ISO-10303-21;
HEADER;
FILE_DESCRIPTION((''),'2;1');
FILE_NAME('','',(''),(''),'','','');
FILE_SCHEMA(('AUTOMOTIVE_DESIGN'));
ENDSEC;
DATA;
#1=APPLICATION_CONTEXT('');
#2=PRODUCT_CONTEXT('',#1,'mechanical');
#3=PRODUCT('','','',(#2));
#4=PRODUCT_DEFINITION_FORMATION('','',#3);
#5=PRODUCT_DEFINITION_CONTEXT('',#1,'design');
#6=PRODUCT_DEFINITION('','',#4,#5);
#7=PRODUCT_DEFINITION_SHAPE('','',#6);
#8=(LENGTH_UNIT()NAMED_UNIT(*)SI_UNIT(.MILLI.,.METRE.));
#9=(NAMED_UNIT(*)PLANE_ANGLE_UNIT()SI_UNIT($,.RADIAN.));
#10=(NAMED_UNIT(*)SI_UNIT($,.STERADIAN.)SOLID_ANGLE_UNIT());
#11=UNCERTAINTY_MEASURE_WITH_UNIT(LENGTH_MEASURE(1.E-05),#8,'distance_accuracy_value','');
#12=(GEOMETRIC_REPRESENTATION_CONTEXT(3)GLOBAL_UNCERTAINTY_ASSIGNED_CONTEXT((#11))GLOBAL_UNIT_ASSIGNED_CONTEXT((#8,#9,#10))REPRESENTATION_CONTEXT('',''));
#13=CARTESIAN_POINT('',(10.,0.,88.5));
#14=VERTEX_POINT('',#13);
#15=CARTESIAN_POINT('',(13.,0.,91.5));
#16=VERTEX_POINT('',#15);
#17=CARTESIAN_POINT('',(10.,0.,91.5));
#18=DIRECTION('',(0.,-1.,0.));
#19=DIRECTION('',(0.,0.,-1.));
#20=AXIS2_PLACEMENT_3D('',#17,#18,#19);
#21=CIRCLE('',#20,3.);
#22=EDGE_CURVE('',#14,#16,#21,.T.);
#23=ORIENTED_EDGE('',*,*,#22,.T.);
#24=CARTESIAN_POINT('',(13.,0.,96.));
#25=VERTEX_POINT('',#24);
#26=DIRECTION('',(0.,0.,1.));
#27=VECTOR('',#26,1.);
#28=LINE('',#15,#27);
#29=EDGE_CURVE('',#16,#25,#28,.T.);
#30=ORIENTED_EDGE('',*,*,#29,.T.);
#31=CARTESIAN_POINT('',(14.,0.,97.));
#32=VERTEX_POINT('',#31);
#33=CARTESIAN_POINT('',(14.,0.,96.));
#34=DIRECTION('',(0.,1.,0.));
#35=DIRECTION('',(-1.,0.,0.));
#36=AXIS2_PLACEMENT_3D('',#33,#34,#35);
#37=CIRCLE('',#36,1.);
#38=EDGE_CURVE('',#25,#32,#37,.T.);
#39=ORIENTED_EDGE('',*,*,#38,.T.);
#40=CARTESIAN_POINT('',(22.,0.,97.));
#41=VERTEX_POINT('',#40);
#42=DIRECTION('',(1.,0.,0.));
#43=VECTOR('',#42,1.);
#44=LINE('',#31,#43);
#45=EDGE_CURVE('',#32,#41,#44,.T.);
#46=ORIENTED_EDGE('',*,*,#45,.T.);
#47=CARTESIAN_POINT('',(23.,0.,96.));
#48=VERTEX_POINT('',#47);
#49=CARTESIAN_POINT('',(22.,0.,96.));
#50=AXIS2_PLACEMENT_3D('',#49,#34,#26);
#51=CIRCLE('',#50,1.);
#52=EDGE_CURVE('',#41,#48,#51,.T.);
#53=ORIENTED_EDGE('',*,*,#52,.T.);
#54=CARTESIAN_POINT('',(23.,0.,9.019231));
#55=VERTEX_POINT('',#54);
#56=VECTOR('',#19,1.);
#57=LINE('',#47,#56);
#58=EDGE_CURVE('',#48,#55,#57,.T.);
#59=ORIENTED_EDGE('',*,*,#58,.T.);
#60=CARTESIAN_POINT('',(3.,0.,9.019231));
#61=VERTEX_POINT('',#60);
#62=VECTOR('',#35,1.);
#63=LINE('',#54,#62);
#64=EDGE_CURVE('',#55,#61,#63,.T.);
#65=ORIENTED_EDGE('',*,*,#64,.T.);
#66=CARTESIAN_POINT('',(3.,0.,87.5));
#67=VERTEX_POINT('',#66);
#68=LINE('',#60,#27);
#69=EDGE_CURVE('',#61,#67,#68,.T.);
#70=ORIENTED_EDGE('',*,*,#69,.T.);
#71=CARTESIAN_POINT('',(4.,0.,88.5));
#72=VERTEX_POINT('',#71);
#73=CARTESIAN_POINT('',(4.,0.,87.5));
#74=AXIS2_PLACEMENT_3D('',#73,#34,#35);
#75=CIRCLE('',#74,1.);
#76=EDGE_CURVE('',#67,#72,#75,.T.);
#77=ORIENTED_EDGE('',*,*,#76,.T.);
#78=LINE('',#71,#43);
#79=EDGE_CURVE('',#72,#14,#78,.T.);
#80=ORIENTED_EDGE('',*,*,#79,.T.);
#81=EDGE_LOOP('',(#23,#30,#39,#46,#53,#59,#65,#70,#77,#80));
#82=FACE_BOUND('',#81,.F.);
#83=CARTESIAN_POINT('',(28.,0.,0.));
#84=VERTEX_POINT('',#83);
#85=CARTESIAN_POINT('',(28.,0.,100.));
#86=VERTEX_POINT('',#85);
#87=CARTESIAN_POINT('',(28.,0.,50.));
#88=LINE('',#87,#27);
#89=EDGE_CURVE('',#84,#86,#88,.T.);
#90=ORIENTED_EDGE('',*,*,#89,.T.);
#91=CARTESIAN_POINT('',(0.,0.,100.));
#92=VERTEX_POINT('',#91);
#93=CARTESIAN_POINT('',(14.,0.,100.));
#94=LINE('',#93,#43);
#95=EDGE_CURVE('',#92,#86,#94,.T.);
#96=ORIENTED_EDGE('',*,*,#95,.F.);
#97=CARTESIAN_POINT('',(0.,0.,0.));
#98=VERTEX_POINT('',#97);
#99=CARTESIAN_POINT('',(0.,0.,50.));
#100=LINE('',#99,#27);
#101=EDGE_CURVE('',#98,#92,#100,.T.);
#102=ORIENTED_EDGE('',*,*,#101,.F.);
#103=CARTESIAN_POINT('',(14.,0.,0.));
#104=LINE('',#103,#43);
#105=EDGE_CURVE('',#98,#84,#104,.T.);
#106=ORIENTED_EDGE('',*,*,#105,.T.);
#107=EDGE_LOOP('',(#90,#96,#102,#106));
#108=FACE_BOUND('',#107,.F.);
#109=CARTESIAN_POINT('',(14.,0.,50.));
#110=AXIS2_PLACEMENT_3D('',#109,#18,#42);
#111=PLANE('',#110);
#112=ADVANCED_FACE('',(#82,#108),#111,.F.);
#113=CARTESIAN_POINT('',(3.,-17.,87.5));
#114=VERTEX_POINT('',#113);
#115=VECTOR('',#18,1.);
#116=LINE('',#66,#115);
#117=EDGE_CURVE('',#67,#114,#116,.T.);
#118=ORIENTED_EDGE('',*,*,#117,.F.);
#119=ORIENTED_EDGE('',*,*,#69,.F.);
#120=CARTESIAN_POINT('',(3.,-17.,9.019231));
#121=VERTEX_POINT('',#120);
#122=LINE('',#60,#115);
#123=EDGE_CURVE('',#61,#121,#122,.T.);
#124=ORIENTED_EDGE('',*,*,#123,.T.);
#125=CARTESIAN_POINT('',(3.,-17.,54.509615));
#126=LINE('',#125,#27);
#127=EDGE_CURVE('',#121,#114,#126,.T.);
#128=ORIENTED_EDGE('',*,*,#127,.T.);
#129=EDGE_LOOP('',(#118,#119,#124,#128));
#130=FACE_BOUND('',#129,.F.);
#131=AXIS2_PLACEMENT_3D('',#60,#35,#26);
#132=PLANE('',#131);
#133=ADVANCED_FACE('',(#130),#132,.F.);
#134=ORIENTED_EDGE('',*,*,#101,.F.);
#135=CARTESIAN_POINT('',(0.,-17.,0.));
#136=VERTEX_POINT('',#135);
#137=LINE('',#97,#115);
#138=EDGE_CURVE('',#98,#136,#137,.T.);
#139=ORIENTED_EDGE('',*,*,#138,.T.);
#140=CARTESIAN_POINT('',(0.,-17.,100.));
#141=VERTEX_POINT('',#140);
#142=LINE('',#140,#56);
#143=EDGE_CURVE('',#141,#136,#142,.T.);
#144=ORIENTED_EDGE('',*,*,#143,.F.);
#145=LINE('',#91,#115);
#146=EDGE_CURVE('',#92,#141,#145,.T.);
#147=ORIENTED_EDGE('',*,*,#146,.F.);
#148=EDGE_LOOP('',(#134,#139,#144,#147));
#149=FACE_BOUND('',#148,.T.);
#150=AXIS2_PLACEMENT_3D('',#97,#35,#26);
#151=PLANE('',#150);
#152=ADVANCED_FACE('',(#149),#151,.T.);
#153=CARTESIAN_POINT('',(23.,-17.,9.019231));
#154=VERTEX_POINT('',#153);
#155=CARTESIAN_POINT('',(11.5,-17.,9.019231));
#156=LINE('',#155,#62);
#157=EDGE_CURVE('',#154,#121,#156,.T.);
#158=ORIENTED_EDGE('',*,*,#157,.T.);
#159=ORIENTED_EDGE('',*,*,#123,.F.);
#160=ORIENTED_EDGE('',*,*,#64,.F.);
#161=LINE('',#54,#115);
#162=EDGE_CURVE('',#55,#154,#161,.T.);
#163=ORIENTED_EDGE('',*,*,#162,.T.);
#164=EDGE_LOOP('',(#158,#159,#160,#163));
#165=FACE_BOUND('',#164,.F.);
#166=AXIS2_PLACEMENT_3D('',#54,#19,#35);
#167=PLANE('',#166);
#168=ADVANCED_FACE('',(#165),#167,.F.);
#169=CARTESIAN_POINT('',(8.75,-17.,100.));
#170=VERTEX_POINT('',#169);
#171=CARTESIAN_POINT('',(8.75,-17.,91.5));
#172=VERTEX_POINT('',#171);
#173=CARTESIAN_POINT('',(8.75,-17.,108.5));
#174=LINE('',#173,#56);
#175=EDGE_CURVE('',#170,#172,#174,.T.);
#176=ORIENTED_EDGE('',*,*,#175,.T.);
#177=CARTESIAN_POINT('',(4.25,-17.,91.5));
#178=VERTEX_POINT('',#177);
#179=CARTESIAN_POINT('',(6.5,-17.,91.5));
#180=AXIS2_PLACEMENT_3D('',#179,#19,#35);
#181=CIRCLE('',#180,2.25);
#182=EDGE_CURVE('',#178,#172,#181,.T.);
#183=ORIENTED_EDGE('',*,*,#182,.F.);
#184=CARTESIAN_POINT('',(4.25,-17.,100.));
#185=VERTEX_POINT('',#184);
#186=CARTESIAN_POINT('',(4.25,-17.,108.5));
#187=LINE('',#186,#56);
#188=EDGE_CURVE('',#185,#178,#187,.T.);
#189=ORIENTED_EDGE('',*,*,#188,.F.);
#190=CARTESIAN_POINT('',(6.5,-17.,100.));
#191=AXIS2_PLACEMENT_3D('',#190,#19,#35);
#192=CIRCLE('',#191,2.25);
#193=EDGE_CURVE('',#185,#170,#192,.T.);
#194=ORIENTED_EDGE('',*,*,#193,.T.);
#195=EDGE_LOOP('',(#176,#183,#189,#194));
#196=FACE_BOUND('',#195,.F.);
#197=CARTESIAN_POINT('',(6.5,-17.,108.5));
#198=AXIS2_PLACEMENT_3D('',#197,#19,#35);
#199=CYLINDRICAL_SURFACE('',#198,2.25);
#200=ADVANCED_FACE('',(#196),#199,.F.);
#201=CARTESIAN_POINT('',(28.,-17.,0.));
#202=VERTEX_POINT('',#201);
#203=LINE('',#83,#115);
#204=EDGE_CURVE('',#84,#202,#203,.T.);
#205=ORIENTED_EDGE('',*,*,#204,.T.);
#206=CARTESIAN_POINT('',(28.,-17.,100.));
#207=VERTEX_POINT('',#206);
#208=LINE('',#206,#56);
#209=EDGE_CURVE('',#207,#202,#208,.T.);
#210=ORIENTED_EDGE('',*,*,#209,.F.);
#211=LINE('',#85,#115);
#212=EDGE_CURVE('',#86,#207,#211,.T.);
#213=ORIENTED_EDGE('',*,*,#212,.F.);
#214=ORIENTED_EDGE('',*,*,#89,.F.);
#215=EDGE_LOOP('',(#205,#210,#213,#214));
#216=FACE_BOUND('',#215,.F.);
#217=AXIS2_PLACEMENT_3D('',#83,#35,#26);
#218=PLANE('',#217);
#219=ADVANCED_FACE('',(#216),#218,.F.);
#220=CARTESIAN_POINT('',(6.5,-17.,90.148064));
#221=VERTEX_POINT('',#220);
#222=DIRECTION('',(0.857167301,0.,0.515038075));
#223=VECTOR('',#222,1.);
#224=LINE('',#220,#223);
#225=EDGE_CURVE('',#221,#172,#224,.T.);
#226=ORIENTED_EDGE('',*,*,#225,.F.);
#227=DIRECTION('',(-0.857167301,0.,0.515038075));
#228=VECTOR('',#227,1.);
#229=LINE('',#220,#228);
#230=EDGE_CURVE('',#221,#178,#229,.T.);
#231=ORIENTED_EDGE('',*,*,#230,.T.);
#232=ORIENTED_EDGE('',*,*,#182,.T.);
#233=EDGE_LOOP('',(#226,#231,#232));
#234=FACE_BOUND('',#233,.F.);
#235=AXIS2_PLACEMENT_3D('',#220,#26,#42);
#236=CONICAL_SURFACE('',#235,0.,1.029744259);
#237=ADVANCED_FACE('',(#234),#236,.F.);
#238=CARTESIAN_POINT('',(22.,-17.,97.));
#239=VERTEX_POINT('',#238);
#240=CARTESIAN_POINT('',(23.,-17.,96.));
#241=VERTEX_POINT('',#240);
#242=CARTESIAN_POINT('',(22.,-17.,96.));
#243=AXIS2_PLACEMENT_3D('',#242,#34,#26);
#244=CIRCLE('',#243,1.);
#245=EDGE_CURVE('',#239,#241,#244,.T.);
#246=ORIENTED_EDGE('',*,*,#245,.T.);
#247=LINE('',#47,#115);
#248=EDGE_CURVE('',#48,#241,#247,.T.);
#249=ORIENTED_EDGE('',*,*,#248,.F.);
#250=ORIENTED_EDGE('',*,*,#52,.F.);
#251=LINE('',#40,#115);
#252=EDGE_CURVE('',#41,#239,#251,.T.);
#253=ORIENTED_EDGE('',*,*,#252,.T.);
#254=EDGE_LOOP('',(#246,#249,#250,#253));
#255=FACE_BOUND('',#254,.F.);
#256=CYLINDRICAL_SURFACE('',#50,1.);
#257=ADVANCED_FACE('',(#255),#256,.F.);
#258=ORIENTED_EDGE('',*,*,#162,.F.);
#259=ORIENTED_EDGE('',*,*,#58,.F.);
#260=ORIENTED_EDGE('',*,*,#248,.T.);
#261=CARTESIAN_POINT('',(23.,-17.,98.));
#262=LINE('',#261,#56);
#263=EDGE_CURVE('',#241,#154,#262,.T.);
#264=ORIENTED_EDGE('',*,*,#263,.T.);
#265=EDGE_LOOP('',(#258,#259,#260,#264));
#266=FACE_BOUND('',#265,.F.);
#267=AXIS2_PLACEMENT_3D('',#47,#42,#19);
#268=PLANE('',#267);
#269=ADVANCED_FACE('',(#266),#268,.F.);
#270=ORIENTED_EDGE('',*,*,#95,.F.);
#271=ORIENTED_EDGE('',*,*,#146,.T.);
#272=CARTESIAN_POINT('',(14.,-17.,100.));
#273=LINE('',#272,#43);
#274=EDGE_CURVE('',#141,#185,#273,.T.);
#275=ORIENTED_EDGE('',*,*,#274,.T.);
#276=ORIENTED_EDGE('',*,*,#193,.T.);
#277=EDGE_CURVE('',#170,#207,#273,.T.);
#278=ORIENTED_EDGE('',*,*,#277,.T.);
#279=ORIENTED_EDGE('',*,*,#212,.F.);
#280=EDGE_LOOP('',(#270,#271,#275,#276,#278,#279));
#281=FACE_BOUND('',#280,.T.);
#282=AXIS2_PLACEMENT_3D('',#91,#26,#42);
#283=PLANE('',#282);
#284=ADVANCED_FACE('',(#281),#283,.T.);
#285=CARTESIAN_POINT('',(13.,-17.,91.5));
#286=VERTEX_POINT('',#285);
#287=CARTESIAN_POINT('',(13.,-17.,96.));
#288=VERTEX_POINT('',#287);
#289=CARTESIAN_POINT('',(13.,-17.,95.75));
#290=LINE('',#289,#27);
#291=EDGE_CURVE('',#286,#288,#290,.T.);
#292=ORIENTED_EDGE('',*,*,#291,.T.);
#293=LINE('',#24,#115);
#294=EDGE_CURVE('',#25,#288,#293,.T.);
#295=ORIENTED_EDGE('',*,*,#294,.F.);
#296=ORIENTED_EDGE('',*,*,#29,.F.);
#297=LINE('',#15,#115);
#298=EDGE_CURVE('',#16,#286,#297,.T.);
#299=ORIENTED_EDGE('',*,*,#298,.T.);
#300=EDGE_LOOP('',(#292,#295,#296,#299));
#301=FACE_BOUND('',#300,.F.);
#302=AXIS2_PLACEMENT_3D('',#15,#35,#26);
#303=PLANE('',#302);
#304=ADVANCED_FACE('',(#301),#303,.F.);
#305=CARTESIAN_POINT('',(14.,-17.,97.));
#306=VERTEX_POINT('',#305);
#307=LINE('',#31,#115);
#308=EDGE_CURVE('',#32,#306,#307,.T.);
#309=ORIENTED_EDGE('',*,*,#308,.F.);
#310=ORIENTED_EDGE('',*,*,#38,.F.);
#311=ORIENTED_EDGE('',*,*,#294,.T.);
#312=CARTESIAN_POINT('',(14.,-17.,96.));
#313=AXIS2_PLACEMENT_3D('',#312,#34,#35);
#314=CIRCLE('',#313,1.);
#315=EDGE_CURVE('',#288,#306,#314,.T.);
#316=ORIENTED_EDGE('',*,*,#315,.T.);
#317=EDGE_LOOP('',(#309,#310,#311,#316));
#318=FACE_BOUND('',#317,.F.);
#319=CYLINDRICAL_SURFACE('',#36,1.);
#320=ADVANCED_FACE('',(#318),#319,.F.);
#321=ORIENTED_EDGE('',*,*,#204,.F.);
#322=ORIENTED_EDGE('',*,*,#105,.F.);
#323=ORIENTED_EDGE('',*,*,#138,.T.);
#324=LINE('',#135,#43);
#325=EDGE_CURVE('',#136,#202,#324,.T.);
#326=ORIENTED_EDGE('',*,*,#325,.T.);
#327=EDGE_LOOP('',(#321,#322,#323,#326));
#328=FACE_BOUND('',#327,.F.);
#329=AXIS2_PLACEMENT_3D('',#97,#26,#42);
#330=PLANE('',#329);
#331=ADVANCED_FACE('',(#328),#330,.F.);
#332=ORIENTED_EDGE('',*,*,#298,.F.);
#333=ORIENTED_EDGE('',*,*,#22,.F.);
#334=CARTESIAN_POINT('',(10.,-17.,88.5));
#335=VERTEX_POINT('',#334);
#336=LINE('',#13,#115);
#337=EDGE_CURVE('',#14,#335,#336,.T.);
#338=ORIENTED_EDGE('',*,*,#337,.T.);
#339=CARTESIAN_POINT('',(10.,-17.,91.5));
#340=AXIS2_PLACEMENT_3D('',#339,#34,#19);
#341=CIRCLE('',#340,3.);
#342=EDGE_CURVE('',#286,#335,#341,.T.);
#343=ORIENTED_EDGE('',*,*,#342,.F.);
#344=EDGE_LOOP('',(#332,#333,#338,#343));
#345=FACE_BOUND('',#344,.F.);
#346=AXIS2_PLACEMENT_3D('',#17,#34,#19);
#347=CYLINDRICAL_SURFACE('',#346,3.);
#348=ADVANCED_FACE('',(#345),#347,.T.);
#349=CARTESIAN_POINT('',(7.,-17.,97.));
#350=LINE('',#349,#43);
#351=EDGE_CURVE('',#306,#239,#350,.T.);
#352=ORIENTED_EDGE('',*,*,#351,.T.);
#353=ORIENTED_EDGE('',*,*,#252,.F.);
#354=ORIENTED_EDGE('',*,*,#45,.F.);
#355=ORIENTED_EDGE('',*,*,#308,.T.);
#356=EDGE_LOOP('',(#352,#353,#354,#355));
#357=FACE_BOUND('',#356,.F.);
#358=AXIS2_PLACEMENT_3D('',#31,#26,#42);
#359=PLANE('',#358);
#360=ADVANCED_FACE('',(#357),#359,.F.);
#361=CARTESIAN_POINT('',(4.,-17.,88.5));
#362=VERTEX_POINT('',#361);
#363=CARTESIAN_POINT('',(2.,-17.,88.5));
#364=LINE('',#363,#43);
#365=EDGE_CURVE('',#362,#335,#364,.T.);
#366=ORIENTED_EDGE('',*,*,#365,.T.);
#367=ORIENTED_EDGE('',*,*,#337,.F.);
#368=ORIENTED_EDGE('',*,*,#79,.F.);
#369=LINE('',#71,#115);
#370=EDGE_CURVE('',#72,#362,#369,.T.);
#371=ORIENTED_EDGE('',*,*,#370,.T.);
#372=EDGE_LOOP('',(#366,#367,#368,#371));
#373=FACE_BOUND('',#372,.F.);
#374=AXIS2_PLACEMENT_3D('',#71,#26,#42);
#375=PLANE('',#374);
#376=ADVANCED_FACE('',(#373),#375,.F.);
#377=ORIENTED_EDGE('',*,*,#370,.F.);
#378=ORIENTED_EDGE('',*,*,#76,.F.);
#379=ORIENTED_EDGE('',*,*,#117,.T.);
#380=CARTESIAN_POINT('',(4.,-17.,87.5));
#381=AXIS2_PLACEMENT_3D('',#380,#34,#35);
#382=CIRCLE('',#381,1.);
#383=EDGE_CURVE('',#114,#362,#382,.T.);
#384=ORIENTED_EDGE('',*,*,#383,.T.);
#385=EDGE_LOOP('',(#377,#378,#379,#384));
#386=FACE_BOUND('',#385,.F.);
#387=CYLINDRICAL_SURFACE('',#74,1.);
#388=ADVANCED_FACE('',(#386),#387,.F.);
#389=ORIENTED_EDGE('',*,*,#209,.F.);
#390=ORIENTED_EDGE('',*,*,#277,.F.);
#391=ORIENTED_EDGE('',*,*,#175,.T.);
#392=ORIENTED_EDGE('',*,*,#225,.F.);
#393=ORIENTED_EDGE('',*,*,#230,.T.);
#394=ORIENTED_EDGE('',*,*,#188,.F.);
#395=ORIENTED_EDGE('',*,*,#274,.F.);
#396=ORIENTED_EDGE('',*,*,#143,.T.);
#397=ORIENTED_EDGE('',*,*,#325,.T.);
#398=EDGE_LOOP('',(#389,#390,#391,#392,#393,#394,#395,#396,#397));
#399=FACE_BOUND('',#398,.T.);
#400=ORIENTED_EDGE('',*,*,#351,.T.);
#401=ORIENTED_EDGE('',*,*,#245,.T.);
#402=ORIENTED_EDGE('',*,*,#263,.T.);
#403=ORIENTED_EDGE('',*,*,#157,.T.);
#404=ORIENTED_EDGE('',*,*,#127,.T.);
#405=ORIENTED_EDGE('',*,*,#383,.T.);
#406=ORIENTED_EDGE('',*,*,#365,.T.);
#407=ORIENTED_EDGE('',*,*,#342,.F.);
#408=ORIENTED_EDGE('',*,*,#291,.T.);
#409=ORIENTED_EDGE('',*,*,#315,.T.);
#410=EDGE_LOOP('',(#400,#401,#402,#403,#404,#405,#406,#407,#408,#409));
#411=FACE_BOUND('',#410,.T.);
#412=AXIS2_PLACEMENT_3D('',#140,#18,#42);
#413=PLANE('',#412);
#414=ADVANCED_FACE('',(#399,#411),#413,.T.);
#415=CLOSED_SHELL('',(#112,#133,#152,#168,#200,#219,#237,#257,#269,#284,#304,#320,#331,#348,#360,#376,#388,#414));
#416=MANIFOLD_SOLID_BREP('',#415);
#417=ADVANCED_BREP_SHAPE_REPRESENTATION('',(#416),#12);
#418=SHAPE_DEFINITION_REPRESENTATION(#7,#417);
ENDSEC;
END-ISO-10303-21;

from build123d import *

# Parameters (mm, degrees)
F0_W     = 28
F0_H     = 100
F1_DEPTH = 25
F3_D     = 4.5
F3_DEPTH = 8.5
F3_TIP   = 1.3519363928
F4_W     = 28
F4_H     = 8
F5_DEPTH = 100.001


with BuildPart() as f1:
    # F0 (on Front) → F1 (new body)
    with BuildSketch(Plane.XZ):
        with Locations((14, 50)):
            Rectangle(F0_W, F0_H)
        with BuildLine():
            Line((14, 97), (22, 97))
            ThreePointArc((22, 97), (22.7071067812, 96.7071067812), (23, 96))
            Line((23, 96), (23, 9.0192308693))
            Line((23, 9.0192308693), (3, 9.0192308693))
            Line((3, 9.0192308693), (3, 87.5))
            ThreePointArc((3, 87.5), (3.2928932188, 88.2071067812), (4, 88.5))
            Line((4, 88.5), (10, 88.5))
            ThreePointArc((10, 88.5), (12.1213203436, 89.3786796564), (13, 91.5))
            Line((13, 91.5), (13, 96))
            ThreePointArc((13, 96), (13.2928932188, 96.7071067812), (14, 97))
        make_face(mode=Mode.SUBTRACT)
    extrude(amount=F1_DEPTH)

    # F3
    with Locations(Plane.XY.offset(100)):
        with Locations((6.5, -17)):
            Hole(F3_D / 2, depth=F3_DEPTH)
            with Locations((0, 0, -(F3_DEPTH + F3_TIP / 2))):  # 118° drill point
                Cone(0, F3_D / 2, F3_TIP, mode=Mode.SUBTRACT)

    # F4 (on face) → F5 (cut, through all)
    with BuildSketch(Plane.XY.offset(100)):
        with Locations((14, -21)):
            Rectangle(F4_W, F4_H)
    extrude(amount=-F5_DEPTH, mode=Mode.SUBTRACT)


solid = f1.part
